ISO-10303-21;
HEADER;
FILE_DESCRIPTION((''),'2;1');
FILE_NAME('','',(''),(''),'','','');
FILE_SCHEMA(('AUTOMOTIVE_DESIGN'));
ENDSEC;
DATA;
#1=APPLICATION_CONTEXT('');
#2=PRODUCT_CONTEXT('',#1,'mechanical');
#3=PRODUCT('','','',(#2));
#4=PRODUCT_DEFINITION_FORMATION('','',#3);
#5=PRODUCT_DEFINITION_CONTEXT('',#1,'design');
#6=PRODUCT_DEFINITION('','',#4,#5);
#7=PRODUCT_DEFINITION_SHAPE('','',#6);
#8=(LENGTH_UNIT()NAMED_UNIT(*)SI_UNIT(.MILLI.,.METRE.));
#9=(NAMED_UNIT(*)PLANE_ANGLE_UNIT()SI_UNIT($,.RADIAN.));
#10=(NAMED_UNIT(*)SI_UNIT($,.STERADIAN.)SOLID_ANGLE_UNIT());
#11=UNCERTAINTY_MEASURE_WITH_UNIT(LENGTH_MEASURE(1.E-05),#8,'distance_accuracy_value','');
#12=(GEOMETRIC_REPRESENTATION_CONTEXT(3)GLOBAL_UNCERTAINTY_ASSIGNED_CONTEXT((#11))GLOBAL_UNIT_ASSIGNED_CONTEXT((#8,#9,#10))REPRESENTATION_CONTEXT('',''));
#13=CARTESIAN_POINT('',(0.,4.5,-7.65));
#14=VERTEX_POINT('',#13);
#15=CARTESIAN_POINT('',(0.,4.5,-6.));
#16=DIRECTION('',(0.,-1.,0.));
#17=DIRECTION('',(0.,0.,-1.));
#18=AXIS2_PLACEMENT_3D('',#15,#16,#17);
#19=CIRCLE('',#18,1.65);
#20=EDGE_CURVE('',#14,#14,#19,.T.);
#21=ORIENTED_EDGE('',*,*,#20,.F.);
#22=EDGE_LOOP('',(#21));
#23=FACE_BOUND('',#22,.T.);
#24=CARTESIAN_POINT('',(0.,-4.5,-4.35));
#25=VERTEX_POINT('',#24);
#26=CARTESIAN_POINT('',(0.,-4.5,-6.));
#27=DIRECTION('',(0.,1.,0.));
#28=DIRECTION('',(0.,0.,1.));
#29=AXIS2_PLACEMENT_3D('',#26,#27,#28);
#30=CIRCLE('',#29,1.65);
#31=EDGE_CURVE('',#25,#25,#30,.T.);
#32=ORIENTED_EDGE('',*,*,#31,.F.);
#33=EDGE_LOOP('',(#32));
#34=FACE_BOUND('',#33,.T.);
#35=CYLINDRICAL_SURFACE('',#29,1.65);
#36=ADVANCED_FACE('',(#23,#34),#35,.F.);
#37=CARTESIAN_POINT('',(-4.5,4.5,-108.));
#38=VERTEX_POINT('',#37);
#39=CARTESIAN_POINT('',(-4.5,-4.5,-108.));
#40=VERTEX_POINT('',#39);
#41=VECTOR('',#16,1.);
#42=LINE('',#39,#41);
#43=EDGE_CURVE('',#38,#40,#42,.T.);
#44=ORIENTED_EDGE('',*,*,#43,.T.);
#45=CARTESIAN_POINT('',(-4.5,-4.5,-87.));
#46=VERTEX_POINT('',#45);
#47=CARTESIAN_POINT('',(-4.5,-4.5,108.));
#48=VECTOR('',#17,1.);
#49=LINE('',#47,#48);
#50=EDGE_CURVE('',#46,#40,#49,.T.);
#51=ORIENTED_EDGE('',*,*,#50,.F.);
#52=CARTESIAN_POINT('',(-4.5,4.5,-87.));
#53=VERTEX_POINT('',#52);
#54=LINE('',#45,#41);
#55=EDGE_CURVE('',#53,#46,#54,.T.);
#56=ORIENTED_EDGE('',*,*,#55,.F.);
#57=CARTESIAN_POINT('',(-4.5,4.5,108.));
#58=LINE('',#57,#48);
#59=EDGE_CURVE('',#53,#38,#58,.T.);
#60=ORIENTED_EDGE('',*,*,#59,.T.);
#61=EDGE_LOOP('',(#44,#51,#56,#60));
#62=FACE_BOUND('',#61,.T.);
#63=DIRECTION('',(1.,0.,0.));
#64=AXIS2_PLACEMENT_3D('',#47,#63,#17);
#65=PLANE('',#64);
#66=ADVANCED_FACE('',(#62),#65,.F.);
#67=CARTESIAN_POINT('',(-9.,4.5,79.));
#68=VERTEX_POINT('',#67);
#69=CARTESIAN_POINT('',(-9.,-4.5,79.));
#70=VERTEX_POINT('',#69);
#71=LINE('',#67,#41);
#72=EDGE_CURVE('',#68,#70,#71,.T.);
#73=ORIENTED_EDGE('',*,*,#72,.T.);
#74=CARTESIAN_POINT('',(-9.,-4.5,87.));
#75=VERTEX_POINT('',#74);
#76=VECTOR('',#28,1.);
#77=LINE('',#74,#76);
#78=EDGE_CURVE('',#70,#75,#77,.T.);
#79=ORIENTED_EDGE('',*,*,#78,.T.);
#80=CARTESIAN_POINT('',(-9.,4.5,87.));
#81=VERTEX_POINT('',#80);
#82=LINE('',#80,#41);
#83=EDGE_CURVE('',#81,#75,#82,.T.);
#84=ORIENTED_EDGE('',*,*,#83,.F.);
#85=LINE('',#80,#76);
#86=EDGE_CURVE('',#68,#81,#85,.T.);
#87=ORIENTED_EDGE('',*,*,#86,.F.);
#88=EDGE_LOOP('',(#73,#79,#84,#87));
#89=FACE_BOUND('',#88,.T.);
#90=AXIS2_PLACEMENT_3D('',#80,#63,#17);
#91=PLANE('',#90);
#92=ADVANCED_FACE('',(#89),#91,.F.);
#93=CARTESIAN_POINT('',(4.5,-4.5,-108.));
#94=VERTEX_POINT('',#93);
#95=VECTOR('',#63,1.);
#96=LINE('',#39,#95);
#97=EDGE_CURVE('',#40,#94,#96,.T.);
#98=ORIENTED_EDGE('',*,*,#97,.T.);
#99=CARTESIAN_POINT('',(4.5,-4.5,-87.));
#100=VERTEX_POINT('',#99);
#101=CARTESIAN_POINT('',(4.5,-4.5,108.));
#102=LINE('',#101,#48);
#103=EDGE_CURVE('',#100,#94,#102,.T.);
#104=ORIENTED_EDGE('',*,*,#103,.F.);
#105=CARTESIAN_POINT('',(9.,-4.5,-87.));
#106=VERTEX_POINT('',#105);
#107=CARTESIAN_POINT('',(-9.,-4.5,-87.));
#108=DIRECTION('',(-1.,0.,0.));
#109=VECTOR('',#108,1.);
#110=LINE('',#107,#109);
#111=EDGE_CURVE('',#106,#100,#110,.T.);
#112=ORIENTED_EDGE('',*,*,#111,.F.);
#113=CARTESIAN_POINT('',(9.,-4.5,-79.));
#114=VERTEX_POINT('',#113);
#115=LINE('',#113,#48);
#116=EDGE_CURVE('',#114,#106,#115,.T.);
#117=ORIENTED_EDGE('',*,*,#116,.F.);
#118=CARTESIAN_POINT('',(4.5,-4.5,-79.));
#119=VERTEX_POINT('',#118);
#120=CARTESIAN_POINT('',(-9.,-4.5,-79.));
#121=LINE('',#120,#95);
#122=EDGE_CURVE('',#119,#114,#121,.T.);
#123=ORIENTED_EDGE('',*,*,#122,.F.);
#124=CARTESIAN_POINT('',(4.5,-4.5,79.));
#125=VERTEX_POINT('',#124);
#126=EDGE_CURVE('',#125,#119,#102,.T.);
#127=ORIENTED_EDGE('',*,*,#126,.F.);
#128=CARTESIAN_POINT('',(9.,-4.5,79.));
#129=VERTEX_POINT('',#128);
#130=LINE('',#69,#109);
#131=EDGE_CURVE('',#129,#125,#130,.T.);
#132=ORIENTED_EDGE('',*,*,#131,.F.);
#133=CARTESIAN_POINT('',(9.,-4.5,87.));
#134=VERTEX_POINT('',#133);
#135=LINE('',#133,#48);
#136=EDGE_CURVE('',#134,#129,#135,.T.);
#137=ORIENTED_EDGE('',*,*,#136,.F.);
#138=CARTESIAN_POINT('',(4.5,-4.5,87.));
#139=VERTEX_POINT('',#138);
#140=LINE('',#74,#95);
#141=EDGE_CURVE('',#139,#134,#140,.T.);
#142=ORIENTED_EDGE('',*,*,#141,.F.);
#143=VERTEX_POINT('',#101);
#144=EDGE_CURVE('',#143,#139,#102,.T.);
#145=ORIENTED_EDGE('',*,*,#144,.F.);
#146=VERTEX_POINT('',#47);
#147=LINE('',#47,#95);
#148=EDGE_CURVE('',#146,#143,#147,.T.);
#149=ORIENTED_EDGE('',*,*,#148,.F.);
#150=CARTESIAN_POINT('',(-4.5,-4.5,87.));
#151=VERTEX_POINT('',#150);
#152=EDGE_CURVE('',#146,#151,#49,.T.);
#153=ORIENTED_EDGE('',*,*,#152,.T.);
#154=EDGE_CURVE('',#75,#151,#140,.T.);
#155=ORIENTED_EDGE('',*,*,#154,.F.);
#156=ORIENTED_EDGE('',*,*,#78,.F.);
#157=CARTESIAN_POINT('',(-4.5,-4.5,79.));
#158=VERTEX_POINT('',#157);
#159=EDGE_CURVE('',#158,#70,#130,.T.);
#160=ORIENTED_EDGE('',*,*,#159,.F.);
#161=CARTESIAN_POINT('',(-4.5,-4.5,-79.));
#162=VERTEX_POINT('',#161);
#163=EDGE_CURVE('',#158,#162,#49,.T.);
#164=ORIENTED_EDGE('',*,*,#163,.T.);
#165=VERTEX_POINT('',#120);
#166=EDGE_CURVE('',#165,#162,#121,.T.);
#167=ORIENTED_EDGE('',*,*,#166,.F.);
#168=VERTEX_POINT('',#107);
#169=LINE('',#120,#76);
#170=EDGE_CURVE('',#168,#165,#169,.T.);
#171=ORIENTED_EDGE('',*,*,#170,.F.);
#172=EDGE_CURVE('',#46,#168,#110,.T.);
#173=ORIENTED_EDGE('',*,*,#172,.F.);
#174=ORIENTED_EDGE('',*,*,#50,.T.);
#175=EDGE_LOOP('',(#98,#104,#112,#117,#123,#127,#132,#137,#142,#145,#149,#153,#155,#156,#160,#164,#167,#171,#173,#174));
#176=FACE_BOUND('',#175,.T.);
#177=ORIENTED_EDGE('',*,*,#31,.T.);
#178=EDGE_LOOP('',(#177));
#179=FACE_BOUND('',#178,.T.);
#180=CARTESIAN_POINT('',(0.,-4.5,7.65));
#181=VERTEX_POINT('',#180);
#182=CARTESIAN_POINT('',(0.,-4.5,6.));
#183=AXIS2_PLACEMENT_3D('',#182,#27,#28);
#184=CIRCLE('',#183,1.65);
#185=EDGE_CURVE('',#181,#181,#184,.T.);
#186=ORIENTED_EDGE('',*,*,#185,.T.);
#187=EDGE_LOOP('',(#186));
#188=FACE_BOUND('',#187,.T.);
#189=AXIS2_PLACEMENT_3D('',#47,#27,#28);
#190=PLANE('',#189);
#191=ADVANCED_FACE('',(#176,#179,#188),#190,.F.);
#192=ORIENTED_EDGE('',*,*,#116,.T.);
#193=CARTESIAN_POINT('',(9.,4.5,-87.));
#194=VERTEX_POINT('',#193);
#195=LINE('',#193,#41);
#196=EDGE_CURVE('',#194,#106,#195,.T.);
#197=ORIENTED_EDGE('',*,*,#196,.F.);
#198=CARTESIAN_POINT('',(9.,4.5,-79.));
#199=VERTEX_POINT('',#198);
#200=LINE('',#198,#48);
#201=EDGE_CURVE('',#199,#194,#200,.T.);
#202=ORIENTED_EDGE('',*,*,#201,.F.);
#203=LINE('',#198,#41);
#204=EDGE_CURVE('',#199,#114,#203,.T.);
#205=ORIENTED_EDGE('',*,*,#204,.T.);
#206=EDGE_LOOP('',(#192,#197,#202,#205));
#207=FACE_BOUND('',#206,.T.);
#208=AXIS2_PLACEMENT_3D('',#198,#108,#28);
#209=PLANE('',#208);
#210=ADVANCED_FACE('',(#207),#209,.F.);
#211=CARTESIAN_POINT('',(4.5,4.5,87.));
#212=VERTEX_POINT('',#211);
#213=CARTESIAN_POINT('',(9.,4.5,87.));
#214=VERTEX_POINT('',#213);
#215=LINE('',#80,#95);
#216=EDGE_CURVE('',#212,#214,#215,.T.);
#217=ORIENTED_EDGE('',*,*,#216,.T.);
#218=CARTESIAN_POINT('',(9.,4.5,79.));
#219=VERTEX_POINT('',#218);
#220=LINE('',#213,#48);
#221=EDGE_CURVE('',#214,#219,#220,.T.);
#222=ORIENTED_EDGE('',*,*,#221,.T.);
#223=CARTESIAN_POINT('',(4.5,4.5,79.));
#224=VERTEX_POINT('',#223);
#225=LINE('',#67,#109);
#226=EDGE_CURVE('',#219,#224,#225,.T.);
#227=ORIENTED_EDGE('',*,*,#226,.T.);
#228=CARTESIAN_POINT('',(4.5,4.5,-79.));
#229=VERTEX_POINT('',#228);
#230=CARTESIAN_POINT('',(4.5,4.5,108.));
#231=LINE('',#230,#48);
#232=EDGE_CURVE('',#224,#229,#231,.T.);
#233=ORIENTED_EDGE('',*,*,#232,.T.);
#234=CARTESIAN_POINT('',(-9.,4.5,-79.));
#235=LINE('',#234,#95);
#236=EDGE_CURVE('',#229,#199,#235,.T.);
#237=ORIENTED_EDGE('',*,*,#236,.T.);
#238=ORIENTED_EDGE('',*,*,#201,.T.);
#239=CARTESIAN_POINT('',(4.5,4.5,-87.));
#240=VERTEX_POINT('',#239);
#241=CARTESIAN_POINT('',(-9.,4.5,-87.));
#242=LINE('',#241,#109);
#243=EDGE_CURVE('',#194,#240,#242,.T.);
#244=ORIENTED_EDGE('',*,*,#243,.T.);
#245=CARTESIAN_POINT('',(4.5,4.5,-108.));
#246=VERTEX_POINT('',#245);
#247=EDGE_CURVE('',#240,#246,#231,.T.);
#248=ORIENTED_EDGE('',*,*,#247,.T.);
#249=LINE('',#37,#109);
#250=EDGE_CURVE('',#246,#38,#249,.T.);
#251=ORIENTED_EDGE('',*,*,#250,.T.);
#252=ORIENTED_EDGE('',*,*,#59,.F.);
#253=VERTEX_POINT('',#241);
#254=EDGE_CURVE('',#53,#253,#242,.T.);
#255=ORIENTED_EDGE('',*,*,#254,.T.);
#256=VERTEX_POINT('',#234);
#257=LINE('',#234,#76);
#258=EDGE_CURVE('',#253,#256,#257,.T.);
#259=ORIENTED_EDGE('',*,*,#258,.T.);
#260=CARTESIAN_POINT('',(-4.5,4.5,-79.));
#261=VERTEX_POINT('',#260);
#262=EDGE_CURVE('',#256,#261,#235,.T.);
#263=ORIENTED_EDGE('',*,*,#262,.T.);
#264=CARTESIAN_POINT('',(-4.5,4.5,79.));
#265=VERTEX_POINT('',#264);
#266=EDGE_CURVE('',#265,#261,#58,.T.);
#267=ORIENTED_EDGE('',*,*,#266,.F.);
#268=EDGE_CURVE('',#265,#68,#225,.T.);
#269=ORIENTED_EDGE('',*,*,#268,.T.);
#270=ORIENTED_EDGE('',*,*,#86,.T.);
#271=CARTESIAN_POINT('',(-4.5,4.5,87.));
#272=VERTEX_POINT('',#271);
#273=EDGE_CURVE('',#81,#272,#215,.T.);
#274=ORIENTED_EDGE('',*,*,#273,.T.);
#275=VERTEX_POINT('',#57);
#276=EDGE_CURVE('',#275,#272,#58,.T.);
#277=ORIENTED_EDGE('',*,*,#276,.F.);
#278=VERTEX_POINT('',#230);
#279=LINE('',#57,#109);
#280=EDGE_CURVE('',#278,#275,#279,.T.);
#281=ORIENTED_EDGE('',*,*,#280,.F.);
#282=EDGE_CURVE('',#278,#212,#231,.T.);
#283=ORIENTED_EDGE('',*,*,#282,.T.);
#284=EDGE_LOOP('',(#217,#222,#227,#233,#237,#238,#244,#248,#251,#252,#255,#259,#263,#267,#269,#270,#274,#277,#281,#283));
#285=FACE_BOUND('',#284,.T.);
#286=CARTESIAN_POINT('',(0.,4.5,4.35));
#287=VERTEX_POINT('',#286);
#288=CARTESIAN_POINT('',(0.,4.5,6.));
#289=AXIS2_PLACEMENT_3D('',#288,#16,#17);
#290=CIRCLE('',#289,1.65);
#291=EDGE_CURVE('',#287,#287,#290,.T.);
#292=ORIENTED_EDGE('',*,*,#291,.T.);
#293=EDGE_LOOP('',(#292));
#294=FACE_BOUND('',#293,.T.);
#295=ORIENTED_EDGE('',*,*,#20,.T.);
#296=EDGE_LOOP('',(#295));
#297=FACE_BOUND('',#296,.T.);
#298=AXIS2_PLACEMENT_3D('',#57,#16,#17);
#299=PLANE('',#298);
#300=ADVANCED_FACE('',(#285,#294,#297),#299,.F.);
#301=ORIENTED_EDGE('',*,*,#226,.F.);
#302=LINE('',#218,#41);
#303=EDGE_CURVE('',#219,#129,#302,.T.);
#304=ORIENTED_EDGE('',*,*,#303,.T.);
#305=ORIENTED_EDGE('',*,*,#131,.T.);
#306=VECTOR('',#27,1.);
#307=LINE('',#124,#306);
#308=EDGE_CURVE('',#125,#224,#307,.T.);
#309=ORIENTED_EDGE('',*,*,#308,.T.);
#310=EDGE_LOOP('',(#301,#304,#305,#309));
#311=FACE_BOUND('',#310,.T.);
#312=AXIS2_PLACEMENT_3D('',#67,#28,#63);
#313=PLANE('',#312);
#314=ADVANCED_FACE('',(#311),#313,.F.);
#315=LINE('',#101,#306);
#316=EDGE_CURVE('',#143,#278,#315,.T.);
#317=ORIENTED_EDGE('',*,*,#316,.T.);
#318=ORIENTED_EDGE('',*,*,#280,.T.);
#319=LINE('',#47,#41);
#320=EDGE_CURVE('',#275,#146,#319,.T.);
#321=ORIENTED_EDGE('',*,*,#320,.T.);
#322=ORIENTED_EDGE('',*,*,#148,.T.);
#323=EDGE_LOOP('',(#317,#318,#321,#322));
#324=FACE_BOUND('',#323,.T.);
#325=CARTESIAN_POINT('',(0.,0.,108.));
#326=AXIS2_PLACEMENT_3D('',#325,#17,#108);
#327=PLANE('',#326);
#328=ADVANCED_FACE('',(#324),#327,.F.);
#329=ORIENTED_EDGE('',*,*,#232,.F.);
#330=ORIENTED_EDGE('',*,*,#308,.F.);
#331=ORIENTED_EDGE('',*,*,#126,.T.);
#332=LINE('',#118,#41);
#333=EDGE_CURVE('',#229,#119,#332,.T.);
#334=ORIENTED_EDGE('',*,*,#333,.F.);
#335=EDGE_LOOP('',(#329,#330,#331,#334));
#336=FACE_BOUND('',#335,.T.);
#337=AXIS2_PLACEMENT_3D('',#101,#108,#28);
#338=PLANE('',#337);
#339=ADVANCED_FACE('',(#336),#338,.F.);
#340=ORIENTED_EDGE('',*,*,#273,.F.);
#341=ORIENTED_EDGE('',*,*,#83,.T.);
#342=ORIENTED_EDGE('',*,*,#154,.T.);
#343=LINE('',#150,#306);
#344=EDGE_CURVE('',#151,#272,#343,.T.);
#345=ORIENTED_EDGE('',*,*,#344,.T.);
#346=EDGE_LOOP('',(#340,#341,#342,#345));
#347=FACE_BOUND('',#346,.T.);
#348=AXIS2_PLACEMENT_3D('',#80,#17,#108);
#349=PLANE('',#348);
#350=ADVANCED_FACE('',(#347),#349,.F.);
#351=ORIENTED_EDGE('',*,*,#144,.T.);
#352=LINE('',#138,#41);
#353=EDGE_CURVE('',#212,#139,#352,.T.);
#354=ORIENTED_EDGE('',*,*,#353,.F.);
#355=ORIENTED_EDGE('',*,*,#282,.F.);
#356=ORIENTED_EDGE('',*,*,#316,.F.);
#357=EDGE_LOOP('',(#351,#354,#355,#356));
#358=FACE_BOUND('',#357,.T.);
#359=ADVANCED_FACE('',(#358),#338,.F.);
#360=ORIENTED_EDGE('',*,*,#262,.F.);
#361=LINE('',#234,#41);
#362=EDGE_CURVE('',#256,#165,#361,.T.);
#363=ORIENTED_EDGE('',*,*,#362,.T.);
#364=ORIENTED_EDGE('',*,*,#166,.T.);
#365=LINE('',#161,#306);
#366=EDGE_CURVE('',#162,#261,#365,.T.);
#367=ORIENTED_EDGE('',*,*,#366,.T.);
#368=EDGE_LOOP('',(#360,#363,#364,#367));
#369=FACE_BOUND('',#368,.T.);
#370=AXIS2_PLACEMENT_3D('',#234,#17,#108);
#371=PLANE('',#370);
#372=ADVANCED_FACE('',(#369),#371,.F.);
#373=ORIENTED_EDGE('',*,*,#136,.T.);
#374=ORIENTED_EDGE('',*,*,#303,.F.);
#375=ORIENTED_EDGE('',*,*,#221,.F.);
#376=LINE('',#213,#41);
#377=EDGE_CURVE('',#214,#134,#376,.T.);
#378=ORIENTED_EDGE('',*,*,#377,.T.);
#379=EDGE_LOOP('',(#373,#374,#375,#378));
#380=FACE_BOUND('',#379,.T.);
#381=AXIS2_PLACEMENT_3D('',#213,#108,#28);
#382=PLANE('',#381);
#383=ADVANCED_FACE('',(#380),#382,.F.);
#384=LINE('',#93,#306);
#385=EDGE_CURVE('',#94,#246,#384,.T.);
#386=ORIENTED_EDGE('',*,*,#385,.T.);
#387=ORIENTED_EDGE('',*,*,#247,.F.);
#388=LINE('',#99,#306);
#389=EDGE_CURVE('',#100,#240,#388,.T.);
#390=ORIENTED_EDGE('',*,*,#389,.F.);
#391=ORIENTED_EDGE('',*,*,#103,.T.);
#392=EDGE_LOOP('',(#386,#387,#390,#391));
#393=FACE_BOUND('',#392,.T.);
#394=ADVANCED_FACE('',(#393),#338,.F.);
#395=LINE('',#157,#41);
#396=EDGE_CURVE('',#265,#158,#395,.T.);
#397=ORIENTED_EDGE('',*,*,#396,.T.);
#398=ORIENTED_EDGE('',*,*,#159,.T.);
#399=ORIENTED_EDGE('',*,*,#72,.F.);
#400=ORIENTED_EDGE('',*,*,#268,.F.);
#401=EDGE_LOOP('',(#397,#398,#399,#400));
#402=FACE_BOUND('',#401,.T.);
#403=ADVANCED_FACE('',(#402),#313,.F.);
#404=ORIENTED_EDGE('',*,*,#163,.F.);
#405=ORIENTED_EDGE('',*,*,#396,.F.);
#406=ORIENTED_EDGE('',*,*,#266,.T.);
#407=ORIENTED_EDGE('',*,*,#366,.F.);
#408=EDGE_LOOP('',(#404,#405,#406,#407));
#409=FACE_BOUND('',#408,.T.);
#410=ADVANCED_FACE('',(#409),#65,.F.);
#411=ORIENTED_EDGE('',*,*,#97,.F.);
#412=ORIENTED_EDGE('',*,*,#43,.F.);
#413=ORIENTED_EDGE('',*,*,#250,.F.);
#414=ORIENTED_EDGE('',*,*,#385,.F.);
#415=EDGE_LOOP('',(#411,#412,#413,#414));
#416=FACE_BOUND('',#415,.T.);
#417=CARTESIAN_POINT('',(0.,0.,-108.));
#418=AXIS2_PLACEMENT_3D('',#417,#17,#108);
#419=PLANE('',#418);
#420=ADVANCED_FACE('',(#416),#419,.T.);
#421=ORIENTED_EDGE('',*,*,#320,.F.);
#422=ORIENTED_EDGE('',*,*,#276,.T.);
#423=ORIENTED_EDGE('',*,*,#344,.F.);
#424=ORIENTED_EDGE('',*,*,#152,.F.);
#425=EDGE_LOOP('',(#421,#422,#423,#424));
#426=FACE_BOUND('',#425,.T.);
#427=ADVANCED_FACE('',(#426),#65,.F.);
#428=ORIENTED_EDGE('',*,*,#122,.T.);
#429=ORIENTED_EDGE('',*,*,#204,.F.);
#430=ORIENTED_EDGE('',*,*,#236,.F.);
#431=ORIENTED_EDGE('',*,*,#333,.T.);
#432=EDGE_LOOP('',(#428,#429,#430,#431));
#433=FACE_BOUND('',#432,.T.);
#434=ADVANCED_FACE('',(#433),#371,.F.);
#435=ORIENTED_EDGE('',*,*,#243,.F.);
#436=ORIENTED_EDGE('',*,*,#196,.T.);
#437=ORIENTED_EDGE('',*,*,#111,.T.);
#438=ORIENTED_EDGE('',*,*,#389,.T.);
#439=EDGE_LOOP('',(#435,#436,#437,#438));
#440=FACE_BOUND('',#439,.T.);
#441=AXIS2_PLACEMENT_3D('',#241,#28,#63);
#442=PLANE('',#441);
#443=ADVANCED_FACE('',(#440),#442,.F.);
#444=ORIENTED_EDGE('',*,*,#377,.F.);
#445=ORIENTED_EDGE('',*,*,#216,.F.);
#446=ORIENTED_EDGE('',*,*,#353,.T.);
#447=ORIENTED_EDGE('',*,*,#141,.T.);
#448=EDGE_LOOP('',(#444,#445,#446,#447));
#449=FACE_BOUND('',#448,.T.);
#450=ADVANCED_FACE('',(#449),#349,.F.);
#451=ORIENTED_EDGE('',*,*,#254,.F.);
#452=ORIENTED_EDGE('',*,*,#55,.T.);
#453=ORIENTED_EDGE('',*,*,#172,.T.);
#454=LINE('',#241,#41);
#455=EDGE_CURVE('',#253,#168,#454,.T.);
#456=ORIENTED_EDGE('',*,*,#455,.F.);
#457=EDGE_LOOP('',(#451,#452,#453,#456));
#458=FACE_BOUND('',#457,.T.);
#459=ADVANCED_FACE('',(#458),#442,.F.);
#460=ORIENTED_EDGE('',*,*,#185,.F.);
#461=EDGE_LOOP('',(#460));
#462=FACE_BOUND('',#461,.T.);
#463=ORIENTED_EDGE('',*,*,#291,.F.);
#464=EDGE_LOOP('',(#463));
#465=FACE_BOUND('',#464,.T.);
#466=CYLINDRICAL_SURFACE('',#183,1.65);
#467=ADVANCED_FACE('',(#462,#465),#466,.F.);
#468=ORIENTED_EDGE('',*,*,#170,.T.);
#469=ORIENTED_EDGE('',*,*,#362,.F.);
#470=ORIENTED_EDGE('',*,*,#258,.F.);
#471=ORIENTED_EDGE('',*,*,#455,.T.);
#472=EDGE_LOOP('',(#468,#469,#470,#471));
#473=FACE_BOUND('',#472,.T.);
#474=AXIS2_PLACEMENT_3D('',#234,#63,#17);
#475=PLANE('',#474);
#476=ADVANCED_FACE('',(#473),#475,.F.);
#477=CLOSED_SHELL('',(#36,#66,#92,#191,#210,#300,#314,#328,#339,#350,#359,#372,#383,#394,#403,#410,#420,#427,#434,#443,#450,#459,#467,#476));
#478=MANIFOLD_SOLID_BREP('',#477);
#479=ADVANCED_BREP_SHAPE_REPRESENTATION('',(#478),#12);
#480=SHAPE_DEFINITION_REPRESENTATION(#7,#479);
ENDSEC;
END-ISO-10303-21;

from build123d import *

# Parameters (mm, degrees)
SKETCH1_W               = 9
SKETCH1_H               = 9
BOSS_EXTRUDE1_DEPTH     = 108
SKETCH2_W               = 18
SKETCH2_H               = 8
BOSS_EXTRUDE2_DEPTH     = 4.5
SKETCH3_R               = 1.65
CUT_EXTRUDE1_DEPTH      = 1
CUT_EXTRUDE1_DEPTH_BACK = 10


with BuildPart() as part:
    # Sketch1 → Boss-Extrude1 (new body, symmetric)
    with BuildSketch(Plane.XY):
        Rectangle(SKETCH1_W, SKETCH1_H)
    extrude(amount=BOSS_EXTRUDE1_DEPTH, both=True)

    # Sketch2 → Boss-Extrude2 (add, symmetric)
    with BuildSketch(Plane(origin=(0, 0, 0), x_dir=(1, 0, 0), z_dir=(0, 1, 0))):
        with Locations((0, 83)):
            Rectangle(SKETCH2_W, SKETCH2_H)
        with Locations((0, -83)):
            Rectangle(SKETCH2_W, SKETCH2_H)
    extrude(amount=BOSS_EXTRUDE2_DEPTH, both=True)

    # Sketch3 → Cut-Extrude1 (cut, two sides)
    with BuildSketch(Plane(origin=(0, 4.5, 0), x_dir=(1, 0, 0), z_dir=(0, 1, 0))) as cut_extrude1_sk:
        with Locations((0, 6)):
            Circle(SKETCH3_R)
        with Locations((0, -6)):
            Circle(SKETCH3_R)
    extrude(amount=CUT_EXTRUDE1_DEPTH, mode=Mode.SUBTRACT)
    extrude(cut_extrude1_sk.sketch, amount=-CUT_EXTRUDE1_DEPTH_BACK, mode=Mode.SUBTRACT)


solid = part.part
